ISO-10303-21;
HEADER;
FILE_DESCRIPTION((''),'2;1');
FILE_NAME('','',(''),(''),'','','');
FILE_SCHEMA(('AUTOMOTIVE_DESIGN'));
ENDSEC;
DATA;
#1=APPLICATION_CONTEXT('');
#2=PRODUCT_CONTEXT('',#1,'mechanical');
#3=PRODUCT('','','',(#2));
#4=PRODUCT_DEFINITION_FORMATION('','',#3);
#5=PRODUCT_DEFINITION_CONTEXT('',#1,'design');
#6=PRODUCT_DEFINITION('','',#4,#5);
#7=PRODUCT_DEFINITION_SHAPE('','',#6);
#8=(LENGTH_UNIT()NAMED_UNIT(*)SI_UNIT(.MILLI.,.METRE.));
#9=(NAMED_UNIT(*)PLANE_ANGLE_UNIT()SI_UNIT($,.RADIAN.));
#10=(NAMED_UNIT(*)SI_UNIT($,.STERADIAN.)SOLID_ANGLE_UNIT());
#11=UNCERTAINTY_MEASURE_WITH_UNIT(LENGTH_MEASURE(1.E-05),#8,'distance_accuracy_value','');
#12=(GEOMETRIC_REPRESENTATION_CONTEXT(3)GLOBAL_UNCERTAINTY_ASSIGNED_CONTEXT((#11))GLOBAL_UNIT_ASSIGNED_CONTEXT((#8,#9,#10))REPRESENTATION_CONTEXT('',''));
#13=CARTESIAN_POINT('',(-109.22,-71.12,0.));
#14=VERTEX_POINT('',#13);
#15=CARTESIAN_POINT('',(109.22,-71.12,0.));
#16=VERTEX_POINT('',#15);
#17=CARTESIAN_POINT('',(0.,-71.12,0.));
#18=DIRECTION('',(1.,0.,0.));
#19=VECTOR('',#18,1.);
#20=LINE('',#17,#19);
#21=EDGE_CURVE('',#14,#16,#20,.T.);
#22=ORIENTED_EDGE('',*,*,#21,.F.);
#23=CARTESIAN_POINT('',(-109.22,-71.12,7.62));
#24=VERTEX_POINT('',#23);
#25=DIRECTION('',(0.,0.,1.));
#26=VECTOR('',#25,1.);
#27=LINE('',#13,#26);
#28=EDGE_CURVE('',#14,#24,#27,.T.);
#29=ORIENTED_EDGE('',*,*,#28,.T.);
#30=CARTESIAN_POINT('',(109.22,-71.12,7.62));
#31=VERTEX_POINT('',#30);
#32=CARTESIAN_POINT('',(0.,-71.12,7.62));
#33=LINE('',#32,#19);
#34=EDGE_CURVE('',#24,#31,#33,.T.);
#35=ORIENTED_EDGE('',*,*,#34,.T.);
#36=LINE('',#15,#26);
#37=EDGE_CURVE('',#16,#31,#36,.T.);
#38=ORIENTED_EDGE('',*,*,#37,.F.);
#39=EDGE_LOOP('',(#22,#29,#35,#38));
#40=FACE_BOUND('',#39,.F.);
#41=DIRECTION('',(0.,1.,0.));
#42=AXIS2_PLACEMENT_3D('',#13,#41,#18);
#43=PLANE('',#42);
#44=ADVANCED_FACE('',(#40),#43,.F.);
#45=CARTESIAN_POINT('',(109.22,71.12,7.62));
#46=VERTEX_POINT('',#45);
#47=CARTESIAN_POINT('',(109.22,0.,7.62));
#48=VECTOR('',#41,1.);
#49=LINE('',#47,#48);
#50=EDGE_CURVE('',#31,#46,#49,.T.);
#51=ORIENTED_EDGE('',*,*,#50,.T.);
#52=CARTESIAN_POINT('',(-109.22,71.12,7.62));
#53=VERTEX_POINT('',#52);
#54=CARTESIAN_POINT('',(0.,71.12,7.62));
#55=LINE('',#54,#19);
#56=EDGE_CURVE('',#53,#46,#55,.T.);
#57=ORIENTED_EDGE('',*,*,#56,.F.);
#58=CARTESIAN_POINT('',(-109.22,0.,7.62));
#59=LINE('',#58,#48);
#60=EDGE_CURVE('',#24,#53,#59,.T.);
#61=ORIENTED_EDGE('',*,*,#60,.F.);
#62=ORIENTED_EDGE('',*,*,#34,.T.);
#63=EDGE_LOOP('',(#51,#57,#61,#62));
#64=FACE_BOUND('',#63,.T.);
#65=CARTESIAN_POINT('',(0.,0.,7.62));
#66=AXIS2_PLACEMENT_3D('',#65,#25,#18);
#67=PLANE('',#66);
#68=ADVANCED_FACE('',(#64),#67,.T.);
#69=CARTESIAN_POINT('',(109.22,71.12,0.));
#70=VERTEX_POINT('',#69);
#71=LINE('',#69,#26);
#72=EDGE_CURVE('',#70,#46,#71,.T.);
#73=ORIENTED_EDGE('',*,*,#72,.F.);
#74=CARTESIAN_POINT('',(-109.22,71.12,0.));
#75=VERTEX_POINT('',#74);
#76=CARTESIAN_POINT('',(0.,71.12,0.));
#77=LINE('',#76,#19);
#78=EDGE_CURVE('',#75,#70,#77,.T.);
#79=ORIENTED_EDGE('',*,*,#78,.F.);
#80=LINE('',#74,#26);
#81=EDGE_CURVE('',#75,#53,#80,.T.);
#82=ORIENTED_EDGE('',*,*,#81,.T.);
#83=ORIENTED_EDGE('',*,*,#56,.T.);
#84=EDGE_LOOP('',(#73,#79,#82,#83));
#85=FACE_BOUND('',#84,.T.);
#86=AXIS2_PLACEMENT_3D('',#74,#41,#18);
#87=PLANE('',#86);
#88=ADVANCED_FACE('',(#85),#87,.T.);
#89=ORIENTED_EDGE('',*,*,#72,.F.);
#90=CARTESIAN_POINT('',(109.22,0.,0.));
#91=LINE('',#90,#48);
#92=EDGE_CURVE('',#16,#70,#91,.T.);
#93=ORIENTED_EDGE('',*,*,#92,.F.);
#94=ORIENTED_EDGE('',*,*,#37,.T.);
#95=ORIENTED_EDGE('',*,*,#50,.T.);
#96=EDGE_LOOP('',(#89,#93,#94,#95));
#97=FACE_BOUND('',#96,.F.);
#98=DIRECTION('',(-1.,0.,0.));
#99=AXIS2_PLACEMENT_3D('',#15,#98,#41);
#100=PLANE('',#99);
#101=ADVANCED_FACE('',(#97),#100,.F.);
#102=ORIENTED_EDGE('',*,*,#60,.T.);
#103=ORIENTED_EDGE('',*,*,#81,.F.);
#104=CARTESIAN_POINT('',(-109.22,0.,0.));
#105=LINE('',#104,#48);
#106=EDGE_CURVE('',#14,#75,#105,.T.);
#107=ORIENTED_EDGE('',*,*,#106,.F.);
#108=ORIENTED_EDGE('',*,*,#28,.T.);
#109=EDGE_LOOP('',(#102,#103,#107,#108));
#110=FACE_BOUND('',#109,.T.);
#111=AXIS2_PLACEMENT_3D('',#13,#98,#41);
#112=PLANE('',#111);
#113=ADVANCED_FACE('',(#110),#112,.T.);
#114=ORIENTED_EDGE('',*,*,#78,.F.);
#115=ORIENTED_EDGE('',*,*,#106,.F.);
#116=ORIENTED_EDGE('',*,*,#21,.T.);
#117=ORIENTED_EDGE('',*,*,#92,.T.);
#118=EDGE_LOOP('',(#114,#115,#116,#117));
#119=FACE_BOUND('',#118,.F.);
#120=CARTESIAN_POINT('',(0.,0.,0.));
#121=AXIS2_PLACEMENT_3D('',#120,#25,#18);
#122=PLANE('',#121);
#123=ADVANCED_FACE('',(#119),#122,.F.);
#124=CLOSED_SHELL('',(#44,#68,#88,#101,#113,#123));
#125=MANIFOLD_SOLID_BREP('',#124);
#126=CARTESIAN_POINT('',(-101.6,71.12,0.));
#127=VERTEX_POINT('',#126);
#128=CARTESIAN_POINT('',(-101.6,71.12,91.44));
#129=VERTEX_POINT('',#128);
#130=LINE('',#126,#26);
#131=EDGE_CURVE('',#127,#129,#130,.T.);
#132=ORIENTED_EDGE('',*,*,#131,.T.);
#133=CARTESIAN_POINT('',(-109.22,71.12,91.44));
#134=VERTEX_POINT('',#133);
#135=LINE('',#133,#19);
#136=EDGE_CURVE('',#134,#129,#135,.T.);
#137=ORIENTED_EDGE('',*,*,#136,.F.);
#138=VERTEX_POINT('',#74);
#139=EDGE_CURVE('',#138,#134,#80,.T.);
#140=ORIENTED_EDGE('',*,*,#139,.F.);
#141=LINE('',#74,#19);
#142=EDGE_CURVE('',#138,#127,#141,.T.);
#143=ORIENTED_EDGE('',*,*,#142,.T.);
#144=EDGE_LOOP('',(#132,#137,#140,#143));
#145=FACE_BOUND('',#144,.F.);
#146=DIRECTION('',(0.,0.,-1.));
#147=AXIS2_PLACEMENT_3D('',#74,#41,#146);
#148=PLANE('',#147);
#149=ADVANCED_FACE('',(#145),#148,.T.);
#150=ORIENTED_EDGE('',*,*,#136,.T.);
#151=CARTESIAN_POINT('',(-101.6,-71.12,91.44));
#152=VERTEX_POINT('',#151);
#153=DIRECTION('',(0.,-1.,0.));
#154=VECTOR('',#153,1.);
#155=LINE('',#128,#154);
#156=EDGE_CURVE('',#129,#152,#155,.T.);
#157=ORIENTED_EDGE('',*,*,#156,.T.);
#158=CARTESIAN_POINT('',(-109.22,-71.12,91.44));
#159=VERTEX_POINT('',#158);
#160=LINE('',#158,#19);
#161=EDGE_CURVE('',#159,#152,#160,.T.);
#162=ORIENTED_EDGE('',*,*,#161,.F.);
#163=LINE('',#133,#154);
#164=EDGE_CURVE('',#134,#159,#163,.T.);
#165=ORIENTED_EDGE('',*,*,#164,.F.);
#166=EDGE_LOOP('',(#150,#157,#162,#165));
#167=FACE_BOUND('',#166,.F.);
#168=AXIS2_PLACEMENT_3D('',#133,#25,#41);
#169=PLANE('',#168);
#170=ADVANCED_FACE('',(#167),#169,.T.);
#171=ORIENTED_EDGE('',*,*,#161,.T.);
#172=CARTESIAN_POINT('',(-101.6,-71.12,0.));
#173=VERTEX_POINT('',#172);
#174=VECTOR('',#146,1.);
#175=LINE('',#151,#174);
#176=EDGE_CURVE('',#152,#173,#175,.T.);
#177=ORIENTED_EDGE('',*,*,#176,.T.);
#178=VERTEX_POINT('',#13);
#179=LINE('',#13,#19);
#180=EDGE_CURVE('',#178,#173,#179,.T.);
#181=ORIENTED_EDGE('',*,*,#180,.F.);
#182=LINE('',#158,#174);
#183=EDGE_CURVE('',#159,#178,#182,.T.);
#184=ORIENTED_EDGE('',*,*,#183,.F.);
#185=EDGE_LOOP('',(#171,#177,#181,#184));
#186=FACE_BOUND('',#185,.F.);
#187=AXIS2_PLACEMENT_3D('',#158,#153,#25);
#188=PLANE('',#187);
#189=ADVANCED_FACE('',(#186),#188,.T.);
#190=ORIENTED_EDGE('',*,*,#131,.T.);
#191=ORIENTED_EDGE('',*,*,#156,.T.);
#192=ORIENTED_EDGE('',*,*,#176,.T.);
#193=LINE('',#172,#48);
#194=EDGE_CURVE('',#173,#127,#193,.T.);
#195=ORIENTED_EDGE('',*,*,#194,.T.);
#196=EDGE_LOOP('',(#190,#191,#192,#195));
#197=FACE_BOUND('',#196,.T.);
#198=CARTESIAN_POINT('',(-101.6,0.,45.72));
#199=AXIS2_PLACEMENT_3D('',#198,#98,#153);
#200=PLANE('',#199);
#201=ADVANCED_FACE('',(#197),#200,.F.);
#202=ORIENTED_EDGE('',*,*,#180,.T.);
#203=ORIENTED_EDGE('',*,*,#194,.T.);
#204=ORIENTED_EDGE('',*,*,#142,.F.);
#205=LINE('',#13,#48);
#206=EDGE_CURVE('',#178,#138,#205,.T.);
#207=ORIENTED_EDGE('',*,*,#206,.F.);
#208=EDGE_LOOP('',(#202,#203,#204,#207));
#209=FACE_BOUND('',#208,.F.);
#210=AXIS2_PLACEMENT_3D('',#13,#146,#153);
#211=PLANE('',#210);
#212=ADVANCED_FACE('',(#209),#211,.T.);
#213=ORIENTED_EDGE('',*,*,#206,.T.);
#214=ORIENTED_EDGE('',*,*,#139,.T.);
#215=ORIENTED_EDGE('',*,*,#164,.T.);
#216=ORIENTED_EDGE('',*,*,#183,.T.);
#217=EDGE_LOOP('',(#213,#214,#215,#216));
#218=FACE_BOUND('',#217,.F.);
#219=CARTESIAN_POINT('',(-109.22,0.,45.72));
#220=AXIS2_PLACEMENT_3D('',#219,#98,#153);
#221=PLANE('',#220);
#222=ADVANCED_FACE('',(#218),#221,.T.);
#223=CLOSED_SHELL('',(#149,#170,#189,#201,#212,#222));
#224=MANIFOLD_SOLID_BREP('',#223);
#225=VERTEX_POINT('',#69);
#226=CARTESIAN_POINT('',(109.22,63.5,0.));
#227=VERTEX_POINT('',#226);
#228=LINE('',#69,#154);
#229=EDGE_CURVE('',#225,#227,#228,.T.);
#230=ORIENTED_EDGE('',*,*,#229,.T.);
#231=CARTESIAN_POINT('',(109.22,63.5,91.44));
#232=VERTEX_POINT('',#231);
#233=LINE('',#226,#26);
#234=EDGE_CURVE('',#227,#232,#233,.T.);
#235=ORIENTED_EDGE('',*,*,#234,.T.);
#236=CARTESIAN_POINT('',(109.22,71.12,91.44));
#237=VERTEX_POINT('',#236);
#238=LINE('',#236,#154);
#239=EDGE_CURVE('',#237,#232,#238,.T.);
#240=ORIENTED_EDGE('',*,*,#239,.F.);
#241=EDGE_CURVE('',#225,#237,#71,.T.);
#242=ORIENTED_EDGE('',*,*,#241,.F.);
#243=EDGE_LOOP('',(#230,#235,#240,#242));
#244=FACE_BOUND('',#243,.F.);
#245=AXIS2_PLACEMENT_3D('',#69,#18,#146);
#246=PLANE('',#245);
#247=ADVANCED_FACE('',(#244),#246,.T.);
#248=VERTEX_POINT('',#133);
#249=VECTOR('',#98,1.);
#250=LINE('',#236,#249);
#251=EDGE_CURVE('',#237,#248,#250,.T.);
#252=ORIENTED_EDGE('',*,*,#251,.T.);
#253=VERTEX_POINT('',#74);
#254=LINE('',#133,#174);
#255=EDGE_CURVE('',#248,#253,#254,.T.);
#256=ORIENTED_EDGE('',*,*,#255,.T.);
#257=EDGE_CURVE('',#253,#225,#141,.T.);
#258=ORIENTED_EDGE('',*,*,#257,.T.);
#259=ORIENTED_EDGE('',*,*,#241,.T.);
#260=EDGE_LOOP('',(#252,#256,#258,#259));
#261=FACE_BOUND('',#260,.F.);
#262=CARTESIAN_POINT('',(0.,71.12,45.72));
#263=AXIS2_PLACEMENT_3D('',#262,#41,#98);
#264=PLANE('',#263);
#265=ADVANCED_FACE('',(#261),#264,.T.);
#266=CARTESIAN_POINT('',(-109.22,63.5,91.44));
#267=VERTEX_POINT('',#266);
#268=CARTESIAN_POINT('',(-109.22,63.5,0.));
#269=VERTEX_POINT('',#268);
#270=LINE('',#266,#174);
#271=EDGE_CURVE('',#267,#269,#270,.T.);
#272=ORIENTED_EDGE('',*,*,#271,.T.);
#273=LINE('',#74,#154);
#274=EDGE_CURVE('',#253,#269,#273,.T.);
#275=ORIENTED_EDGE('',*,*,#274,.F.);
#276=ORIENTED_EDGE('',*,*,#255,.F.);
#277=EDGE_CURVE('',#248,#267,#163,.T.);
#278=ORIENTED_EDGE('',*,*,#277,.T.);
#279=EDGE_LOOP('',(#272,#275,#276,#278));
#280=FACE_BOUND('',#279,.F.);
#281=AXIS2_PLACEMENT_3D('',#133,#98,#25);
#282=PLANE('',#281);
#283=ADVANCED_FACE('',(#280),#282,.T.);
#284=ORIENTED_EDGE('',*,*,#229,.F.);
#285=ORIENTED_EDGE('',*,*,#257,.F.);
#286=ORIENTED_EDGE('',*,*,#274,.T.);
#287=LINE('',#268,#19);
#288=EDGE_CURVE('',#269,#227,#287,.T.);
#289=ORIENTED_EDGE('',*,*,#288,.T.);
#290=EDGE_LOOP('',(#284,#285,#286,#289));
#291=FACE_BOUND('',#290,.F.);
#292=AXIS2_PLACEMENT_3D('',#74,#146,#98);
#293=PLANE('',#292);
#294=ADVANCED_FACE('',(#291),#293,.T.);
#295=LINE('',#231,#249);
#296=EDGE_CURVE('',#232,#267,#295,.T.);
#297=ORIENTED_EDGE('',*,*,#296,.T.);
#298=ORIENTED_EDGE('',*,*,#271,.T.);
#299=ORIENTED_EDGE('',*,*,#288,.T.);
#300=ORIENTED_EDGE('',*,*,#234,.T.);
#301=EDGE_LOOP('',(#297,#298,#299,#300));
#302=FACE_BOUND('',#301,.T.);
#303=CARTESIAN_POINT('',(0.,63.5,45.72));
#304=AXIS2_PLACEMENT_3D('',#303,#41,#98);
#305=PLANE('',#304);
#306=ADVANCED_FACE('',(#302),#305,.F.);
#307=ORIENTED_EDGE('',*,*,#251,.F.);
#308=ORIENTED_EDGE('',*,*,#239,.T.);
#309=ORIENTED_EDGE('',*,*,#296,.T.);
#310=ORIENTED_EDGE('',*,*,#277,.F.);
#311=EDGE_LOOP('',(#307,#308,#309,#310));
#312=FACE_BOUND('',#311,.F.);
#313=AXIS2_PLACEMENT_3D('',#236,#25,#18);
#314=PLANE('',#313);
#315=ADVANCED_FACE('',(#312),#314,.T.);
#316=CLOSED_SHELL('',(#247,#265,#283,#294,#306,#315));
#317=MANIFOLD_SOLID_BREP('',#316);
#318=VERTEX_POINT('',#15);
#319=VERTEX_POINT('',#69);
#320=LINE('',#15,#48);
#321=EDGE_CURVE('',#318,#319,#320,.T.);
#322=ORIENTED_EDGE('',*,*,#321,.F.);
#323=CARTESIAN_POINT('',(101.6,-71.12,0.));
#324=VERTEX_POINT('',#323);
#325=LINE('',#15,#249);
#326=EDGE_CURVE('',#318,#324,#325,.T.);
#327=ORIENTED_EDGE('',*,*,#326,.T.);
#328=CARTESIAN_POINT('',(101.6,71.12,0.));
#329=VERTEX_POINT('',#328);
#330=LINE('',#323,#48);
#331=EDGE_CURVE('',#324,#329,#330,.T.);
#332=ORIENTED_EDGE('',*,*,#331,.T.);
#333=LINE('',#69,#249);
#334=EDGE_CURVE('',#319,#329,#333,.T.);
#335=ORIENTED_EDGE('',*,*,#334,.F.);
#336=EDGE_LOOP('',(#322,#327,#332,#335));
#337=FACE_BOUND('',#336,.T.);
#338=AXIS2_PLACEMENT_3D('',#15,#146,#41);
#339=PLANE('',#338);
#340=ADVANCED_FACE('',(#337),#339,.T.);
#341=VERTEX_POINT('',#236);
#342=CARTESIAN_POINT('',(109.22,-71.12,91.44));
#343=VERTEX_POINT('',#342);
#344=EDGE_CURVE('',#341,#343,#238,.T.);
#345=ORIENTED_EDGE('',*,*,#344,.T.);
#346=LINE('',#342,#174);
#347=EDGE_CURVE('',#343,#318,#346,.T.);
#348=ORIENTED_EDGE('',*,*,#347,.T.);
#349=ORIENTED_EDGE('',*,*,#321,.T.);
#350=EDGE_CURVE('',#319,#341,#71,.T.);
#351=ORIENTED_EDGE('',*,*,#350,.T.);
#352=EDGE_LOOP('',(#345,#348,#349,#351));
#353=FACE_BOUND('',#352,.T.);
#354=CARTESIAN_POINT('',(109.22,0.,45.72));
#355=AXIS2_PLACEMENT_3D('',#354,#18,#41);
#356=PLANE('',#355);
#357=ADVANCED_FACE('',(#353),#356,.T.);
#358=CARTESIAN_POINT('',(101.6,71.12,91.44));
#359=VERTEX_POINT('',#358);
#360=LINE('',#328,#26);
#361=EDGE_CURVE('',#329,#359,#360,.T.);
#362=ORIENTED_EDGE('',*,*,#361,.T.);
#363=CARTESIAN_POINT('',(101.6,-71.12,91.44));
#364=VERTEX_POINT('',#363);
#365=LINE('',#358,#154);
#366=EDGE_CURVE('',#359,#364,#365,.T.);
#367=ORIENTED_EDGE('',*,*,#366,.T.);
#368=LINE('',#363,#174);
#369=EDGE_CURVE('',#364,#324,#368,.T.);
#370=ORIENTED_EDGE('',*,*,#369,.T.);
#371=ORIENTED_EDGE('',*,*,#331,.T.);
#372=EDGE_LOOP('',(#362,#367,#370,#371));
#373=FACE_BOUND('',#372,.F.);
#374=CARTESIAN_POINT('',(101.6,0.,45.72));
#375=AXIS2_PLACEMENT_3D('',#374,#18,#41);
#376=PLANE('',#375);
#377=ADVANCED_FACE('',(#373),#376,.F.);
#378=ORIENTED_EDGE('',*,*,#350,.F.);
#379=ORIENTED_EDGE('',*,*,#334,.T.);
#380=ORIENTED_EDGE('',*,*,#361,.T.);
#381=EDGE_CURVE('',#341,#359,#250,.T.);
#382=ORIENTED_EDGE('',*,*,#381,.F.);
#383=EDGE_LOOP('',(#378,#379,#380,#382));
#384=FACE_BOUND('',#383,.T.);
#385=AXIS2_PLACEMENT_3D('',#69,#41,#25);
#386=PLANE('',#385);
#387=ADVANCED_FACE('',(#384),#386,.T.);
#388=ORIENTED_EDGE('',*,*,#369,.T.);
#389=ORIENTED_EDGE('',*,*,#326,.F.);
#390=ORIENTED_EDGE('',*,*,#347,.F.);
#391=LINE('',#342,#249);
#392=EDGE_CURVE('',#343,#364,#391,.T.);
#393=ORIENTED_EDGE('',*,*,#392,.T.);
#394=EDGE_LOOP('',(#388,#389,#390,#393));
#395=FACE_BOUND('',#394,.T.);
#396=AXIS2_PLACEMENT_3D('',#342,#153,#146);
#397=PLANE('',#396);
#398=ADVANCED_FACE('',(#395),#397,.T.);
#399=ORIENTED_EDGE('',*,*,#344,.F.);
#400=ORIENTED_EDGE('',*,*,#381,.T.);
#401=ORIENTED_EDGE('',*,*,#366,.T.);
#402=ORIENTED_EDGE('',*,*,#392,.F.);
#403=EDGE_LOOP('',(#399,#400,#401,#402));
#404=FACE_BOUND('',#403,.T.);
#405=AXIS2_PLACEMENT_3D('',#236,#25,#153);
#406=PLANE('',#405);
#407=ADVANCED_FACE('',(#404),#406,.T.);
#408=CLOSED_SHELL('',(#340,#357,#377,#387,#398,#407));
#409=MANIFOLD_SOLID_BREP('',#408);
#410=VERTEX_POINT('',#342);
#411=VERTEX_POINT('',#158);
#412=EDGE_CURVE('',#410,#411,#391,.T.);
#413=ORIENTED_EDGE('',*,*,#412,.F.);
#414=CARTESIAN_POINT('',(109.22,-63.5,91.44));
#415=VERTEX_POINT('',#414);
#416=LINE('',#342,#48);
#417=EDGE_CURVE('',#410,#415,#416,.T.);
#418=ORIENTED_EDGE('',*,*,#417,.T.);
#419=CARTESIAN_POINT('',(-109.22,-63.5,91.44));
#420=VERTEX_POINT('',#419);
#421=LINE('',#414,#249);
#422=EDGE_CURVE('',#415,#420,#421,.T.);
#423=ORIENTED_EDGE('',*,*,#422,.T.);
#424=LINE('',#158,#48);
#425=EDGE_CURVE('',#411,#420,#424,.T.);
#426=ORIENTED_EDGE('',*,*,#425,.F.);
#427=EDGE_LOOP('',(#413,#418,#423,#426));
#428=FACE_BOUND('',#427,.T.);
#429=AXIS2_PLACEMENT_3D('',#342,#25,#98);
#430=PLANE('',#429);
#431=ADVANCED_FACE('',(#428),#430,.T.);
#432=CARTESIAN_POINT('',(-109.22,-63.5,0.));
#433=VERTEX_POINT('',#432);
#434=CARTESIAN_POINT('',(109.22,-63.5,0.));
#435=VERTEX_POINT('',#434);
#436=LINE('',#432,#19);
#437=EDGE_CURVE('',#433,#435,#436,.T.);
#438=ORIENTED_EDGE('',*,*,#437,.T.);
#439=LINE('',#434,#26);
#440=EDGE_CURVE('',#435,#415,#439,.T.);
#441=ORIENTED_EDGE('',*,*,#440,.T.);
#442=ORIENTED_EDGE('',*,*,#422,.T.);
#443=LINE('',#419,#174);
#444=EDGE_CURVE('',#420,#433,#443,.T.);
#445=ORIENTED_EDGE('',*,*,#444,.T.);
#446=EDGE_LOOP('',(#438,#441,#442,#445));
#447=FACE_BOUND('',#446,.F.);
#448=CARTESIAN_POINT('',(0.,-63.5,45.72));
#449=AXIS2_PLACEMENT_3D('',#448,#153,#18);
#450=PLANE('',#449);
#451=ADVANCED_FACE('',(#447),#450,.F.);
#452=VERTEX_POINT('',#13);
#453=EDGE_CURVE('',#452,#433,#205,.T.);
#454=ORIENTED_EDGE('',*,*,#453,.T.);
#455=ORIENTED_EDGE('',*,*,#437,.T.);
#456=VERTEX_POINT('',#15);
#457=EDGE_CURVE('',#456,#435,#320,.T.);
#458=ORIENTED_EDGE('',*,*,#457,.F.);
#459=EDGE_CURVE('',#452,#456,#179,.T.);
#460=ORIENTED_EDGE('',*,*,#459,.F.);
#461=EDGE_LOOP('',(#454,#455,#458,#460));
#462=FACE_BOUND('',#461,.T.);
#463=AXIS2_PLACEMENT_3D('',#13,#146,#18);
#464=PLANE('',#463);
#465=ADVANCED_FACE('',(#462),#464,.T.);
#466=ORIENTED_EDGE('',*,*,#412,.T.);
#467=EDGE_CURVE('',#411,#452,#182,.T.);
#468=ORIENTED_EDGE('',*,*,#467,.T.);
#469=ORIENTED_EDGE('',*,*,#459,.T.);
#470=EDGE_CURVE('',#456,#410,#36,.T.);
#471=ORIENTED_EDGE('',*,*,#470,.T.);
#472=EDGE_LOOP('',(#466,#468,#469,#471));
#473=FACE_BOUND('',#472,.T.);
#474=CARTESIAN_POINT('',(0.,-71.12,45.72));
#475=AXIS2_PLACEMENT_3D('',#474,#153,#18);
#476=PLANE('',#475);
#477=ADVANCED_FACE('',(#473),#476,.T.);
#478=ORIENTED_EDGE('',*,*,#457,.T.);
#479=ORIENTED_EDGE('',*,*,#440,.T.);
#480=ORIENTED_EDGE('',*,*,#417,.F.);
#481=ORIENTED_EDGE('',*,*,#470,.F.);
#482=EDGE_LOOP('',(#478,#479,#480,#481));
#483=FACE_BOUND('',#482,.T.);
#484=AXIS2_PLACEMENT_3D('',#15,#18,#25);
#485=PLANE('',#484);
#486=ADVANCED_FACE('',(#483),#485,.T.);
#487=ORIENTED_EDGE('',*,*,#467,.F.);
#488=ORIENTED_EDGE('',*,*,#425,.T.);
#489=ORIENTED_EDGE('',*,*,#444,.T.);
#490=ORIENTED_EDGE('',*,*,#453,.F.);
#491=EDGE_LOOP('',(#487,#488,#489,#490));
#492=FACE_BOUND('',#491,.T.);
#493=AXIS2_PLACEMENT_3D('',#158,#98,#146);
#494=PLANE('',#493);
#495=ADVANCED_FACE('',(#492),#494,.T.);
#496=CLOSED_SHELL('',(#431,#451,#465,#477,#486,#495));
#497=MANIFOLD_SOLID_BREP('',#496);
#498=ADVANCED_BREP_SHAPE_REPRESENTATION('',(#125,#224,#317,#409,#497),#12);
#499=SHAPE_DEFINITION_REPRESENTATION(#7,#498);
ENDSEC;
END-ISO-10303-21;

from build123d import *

# Parameters (mm, degrees)
F0_W     = 218.44
F0_H     = 142.24
F1_DEPTH = 7.62
F4_DEPTH = 7.62
F8_DEPTH = 7.62


with BuildPart() as f1:
    # F0 (on Top) → F1 (new body)
    with BuildSketch(Plane.XY):
        Rectangle(F0_W, F0_H)
    extrude(amount=F1_DEPTH)


with BuildPart() as f4:
    # F3 (on offset) → F4 (new body)
    with BuildSketch(Plane.XZ.offset(71.12)):
        Polygon((-109.22, 0), (0, 0), (109.22, 0), (109.22, 91.44), (-109.22, 91.44), align=None)
    extrude(amount=-F4_DEPTH)


with BuildPart() as f5_1:
    # F5: instance of F4
    add(f4.part.mirror(Plane.XZ))


with BuildPart() as f8:
    # F7 (on offset) → F8 (new body)
    with BuildSketch(Plane.YZ.offset(109.22)):
        Polygon((-71.12, 0), (0, 0), (71.12, 0), (71.12, 91.44), (-71.12, 91.44), align=None)
    extrude(amount=-F8_DEPTH)


with BuildPart() as f9_1:
    # F9: instance of F8
    add(f8.part.mirror(Plane.YZ))


solid = Compound([f1.part, f4.part, f5_1.part, f8.part, f9_1.part])
